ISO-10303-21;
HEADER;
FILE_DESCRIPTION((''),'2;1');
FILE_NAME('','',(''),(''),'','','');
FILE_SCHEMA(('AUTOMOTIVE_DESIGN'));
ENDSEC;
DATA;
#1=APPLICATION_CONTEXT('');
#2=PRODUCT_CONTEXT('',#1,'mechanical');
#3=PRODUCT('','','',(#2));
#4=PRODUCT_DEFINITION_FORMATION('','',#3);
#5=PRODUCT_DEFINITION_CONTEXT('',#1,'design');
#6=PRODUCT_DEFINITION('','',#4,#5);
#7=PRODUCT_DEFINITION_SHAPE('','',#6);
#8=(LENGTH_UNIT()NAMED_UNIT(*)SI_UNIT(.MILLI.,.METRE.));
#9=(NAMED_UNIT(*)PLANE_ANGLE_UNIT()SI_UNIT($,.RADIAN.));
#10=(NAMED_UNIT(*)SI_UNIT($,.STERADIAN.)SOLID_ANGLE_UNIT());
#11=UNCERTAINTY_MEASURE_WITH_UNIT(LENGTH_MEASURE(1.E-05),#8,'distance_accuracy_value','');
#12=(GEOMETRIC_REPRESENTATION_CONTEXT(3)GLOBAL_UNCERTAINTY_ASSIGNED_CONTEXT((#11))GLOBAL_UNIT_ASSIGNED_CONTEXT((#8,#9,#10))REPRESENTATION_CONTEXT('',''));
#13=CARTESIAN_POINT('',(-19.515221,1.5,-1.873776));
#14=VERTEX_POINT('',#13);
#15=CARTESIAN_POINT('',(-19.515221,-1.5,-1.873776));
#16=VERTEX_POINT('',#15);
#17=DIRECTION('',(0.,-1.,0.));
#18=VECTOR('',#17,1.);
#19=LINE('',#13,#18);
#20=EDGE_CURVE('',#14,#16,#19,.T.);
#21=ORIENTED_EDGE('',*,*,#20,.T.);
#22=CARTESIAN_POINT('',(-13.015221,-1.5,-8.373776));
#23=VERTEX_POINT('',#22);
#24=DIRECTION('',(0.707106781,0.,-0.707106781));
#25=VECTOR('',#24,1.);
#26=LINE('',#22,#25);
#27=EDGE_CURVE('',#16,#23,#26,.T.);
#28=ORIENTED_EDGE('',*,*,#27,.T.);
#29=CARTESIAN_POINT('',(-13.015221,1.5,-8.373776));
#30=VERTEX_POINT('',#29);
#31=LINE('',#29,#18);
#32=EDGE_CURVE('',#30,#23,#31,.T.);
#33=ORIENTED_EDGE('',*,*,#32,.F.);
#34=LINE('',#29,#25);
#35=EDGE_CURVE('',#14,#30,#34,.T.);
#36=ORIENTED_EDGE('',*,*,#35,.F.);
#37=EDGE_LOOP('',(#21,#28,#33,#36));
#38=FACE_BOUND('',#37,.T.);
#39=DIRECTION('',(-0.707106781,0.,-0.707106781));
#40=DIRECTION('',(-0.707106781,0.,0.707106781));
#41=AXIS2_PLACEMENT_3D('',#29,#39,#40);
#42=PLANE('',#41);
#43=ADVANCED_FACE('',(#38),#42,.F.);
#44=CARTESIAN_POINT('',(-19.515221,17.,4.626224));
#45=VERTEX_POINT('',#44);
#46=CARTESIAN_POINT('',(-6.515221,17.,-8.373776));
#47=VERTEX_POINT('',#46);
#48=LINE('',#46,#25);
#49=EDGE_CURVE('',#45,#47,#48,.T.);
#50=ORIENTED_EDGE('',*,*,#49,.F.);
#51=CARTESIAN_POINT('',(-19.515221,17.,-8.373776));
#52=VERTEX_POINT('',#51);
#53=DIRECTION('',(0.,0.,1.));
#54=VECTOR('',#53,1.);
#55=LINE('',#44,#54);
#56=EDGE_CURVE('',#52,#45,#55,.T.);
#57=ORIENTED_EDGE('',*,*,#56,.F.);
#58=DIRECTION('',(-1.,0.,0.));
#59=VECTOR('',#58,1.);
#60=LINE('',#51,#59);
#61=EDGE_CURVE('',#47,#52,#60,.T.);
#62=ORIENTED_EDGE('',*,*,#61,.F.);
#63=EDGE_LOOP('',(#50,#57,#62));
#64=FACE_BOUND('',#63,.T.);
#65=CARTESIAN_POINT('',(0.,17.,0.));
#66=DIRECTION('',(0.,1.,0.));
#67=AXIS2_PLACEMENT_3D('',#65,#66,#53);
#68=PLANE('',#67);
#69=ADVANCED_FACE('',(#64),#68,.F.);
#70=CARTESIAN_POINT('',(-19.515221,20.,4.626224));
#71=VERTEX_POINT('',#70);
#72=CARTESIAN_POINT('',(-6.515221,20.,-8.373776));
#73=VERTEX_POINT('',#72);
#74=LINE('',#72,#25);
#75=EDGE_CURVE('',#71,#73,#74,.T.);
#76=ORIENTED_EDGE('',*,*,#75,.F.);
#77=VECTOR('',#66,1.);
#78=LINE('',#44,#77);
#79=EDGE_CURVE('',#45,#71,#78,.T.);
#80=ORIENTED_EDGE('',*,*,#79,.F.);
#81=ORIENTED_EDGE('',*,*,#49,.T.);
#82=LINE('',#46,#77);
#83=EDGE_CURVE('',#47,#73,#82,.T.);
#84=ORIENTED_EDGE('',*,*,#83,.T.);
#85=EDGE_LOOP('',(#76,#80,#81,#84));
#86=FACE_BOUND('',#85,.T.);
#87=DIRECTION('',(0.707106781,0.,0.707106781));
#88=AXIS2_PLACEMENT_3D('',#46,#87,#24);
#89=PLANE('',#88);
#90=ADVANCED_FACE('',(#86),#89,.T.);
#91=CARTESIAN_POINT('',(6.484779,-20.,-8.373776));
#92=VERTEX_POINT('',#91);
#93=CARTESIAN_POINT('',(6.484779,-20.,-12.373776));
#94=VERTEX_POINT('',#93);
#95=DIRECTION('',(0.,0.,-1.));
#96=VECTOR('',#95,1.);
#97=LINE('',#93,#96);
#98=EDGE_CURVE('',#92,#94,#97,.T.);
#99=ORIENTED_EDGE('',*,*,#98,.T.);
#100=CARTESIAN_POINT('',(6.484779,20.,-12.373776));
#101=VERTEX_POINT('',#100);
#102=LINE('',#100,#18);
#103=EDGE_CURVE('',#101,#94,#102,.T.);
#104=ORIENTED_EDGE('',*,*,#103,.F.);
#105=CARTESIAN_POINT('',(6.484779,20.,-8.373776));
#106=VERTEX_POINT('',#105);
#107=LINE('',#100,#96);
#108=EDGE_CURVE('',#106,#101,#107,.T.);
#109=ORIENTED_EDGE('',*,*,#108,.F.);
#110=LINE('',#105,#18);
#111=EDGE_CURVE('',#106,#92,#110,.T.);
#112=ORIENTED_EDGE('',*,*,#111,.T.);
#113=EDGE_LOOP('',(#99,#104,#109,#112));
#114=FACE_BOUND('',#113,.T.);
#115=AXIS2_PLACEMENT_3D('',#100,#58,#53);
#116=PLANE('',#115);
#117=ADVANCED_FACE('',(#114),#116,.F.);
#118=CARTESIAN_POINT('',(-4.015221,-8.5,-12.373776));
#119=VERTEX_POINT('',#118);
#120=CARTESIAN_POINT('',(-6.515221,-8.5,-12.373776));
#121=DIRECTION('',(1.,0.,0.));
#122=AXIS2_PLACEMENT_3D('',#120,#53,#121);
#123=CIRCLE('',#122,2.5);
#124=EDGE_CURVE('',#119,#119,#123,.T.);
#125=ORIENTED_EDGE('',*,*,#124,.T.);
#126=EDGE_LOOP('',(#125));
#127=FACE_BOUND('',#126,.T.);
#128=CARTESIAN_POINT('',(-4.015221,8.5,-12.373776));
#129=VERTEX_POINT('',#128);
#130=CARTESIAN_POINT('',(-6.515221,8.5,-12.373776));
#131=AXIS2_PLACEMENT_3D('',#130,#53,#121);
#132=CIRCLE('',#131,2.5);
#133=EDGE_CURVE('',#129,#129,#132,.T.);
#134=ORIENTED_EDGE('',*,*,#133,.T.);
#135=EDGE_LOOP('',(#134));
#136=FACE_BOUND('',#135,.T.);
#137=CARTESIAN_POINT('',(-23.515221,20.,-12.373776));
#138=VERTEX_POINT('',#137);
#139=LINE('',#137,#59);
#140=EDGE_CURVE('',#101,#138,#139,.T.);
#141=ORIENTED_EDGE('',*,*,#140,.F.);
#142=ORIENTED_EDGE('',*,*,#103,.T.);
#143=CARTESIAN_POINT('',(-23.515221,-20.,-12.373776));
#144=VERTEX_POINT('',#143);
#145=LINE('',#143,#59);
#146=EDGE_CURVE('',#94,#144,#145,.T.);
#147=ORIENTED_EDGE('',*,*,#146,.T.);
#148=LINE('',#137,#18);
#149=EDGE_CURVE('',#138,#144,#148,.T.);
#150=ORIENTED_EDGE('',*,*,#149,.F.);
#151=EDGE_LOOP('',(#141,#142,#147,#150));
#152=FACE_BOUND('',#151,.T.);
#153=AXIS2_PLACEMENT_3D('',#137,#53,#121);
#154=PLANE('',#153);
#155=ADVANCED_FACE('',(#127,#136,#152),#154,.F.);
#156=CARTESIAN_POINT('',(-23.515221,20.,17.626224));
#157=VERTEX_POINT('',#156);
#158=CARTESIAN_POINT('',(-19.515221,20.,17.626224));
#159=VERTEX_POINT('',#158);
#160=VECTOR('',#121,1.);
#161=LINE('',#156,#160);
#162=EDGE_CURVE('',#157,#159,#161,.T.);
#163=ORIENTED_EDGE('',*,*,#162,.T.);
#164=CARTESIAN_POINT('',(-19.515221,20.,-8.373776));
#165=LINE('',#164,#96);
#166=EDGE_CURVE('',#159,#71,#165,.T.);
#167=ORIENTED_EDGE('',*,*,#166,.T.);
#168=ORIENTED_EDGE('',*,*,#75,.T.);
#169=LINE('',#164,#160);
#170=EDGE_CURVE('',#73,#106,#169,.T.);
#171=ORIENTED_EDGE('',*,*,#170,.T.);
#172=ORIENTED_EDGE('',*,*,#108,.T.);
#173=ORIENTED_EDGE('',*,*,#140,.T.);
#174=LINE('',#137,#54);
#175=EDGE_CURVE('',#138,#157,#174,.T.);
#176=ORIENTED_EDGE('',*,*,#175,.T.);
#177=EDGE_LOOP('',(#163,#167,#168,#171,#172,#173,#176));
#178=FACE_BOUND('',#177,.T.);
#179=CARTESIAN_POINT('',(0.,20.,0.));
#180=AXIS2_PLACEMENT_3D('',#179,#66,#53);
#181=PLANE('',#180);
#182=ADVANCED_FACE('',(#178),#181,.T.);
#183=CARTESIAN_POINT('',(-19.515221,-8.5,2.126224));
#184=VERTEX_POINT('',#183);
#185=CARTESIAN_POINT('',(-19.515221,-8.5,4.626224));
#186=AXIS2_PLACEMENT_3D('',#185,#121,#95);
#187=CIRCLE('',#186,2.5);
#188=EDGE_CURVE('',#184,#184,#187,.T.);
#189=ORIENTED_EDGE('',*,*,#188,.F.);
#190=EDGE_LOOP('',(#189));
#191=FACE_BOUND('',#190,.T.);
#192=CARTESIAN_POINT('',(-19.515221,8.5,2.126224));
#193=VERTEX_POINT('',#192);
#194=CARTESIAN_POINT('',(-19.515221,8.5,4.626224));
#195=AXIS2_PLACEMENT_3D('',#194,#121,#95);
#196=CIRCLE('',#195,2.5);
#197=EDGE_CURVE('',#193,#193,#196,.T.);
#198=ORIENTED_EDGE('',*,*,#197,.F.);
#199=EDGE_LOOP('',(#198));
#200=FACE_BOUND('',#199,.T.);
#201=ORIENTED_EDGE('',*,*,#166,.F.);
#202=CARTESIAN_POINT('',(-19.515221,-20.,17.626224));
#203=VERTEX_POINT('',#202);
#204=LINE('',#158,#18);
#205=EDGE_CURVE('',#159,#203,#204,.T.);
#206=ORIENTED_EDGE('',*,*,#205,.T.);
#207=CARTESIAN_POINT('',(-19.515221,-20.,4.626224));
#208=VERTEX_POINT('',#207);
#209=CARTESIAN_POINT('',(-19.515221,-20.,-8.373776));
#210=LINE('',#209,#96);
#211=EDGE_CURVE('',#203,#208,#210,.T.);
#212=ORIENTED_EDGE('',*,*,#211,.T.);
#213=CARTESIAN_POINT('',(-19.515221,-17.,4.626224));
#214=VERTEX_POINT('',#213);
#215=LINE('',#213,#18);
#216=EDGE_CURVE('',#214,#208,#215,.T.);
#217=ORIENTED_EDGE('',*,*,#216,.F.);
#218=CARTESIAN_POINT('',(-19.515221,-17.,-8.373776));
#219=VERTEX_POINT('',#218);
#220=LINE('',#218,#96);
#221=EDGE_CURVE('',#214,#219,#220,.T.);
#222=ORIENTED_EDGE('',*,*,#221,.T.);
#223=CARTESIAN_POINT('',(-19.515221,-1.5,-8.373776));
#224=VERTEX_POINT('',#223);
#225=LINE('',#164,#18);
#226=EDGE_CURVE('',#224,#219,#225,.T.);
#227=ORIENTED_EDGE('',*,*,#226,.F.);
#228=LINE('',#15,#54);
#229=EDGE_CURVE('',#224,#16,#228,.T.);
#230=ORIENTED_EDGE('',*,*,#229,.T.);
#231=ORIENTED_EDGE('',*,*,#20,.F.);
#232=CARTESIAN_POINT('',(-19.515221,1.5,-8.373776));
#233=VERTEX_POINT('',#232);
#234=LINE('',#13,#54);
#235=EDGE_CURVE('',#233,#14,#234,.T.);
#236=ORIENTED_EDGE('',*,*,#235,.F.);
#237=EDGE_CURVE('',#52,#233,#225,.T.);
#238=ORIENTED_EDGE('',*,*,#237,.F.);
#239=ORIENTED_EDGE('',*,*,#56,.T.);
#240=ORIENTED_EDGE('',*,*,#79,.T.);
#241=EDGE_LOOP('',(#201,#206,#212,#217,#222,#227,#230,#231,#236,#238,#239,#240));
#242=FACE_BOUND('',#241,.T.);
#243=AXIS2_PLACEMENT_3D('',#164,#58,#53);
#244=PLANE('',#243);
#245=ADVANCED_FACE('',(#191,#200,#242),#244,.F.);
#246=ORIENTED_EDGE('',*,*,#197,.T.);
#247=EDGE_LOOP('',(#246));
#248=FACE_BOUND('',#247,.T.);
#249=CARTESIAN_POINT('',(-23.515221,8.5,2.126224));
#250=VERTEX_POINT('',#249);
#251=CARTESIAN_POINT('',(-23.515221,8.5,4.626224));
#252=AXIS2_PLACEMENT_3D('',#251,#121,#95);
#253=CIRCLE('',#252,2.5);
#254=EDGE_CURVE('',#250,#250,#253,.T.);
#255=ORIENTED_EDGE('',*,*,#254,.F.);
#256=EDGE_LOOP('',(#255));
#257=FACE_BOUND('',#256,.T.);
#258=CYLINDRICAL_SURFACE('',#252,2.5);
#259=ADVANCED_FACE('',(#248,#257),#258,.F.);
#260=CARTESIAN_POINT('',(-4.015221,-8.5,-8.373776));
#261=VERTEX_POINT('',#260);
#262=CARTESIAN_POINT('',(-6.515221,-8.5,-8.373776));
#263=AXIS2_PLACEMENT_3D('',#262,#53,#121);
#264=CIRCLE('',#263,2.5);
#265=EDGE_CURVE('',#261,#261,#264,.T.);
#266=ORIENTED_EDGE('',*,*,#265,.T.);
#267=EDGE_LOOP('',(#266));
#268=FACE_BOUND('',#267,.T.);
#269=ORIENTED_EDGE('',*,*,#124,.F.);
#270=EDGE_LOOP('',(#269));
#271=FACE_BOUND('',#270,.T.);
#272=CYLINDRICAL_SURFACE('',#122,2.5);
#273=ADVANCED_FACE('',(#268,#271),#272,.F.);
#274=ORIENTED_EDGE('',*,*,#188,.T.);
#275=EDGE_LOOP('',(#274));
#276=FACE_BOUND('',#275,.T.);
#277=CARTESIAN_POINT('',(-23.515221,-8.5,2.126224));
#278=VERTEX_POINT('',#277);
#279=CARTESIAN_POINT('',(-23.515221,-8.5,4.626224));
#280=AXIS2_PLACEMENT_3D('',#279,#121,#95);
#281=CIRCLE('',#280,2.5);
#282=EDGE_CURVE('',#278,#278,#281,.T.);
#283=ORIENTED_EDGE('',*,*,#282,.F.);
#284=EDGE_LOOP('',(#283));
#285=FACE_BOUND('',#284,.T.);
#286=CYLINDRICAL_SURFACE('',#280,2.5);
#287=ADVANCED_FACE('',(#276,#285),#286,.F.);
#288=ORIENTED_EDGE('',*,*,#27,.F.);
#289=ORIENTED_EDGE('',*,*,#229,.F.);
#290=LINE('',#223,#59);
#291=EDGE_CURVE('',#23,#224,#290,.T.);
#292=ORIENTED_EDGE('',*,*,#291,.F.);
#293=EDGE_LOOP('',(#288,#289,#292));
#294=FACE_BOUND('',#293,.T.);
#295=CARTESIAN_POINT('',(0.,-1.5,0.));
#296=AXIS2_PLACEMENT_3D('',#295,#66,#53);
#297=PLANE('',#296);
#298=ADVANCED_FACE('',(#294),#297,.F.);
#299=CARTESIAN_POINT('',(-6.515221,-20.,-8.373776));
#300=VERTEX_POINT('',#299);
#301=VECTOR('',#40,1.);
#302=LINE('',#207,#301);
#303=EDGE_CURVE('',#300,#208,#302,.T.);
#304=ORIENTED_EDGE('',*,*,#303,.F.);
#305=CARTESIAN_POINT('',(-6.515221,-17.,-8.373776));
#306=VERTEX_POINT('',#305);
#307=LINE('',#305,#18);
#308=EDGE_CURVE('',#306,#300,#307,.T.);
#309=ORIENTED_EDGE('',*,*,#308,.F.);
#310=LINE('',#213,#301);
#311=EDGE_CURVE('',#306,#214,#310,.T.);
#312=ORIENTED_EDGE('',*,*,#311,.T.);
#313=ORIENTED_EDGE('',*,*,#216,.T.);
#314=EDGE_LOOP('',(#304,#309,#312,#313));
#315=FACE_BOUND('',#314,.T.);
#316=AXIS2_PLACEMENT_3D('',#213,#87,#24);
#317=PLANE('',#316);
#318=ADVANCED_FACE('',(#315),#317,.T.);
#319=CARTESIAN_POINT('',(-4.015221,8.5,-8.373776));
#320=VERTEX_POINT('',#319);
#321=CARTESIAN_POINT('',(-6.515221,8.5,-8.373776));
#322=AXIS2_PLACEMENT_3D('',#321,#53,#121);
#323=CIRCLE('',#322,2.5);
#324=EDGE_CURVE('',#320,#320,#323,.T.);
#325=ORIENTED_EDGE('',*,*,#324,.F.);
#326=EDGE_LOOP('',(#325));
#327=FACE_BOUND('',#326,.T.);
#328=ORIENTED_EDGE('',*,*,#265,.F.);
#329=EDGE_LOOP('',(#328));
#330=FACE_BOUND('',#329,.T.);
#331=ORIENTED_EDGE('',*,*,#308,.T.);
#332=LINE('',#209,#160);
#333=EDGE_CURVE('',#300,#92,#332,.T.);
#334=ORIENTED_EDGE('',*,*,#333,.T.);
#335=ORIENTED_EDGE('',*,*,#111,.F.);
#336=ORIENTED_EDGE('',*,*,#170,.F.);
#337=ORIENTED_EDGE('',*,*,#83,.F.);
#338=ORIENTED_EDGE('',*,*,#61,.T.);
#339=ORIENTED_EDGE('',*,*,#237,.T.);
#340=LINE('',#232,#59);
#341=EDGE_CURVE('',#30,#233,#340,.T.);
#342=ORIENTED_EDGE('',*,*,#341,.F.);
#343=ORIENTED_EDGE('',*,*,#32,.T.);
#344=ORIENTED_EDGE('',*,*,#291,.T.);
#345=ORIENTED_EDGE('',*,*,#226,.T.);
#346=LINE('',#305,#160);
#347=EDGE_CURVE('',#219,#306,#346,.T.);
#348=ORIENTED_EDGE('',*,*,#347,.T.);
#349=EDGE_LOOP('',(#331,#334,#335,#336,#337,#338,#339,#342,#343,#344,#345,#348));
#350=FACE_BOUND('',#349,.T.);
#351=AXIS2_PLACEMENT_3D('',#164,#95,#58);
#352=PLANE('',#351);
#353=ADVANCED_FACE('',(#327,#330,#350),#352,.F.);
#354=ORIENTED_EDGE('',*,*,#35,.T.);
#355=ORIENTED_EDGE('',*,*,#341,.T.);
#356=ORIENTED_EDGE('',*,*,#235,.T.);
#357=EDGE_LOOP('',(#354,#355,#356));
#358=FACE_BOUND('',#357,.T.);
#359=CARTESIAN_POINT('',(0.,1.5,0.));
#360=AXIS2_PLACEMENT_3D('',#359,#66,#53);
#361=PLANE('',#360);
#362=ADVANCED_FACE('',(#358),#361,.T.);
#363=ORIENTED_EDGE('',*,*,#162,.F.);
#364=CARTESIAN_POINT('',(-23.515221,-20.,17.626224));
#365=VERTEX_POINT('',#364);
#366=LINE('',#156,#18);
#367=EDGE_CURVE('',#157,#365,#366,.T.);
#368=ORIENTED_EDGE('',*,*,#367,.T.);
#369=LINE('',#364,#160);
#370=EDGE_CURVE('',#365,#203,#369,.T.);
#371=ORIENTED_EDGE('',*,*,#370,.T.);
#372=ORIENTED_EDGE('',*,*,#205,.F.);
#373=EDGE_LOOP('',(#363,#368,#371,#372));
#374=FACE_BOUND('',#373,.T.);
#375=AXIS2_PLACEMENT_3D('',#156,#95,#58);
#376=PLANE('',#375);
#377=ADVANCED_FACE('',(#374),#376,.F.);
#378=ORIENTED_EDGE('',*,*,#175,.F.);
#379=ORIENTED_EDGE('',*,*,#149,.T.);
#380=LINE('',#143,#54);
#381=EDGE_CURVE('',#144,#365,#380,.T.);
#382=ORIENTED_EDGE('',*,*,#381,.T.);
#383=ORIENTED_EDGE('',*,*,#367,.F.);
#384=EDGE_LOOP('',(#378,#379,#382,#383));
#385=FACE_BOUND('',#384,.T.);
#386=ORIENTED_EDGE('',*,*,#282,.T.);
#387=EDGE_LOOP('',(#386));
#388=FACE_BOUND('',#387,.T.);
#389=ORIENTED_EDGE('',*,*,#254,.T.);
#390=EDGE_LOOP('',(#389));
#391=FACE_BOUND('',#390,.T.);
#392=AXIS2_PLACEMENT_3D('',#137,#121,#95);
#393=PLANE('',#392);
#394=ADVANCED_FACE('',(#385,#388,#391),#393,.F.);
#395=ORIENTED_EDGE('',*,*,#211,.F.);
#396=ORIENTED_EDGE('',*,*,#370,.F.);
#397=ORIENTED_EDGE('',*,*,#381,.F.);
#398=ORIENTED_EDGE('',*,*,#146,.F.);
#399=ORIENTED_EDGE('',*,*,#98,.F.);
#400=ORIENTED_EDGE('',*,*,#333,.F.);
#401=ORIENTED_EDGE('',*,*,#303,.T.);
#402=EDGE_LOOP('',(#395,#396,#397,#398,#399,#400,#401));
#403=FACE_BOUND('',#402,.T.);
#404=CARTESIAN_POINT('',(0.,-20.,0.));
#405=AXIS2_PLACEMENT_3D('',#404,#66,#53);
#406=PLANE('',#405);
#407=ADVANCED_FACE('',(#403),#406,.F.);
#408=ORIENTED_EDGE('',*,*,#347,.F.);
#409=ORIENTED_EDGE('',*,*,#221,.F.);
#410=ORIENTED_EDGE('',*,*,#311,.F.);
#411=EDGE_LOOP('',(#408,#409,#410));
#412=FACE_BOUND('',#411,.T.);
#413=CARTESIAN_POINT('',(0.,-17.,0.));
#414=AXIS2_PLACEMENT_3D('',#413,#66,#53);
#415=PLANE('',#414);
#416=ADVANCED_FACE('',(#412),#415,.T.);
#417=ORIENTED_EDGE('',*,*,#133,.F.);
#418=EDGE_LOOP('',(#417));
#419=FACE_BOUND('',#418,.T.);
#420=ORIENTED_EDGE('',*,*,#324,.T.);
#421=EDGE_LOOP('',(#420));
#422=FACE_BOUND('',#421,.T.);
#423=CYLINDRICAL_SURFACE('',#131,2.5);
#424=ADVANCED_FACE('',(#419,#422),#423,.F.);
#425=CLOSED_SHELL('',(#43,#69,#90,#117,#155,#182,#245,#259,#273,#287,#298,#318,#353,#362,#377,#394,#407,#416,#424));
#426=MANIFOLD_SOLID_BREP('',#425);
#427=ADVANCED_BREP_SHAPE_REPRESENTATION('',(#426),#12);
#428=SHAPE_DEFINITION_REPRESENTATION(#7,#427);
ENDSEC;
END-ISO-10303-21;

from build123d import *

# Parameters (mm, degrees)
SALIENTE_EXTRUIR1_DEPTH = 20
SALIENTE_EXTRUIR2_DEPTH = 3
SALIENTE_EXTRUIR3_DEPTH = 3
SALIENTE_EXTRUIR4_DEPTH = 1.5
CROQUIS5_R              = 2.5
CORTAR_EXTRUIR1_DEPTH   = 38.238203332
CROQUIS6_R              = 2.5
CORTAR_EXTRUIR2_DEPTH   = 41.360446068


with BuildPart() as part:
    # Croquis1 → Saliente-Extruir1 (new, symmetric)
    with BuildSketch(Plane(origin=(0, 0, 0), x_dir=(1, 0, 0), z_dir=(0, 1, 0))):
        Polygon((-19.515220747, 8.373775577), (6.484779253, 8.373775577), (6.484779253, 12.373775577), (-23.515220747, 12.373775577), (-23.515220747, -17.626224423), (-19.515220747, -17.626224423), align=None)
    extrude(amount=SALIENTE_EXTRUIR1_DEPTH, both=True)

    # Croquis2 → Saliente-Extruir2 (add)
    with BuildSketch(Plane.XZ.offset(20)):
        Polygon((-6.515220747, -8.373775577), (-19.515220747, -8.373775577), (-19.515220747, 4.626224423), align=None)
    extrude(amount=-SALIENTE_EXTRUIR2_DEPTH)

    # Croquis3 → Saliente-Extruir3 (add)
    with BuildSketch(Plane(origin=(0, 20, 0), x_dir=(1, 0, 0), z_dir=(0, 1, 0))):
        Polygon((-6.515220747, 8.373775577), (-19.515220747, -4.626224423), (-19.515220747, 8.373775577), align=None)
    extrude(amount=-SALIENTE_EXTRUIR3_DEPTH)

    # Croquis4 → Saliente-Extruir4 (add, symmetric)
    with BuildSketch(Plane(origin=(0, 0, 0), x_dir=(1, 0, 0), z_dir=(0, 1, 0))):
        Polygon((-13.015220747, 8.373775577), (-19.515220747, 1.873775577), (-19.515220747, 8.373775577), align=None)
    extrude(amount=SALIENTE_EXTRUIR4_DEPTH, both=True)

    # Croquis5 → Cortar-Extruir1 (cut, through all)
    with BuildSketch(Plane(origin=(-19.515220747, 0, 0), x_dir=(0, 0, -1), z_dir=(1, 0, 0))):
        with Locations((-4.626224423, -8.5)):
            Circle(CROQUIS5_R)
        with Locations((-4.626224423, 8.5)):
            Circle(CROQUIS5_R)
    extrude(amount=-CORTAR_EXTRUIR1_DEPTH, mode=Mode.SUBTRACT)

    # Croquis6 → Cortar-Extruir2 (cut, through all)
    with BuildSketch(Plane.XY.offset(-8.373775577)):
        with Locations((-6.515220747, -8.5)):
            Circle(CROQUIS6_R)
        with Locations((-6.515220747, 8.5)):
            Circle(CROQUIS6_R)
    extrude(amount=-CORTAR_EXTRUIR2_DEPTH, mode=Mode.SUBTRACT)


solid = part.part
